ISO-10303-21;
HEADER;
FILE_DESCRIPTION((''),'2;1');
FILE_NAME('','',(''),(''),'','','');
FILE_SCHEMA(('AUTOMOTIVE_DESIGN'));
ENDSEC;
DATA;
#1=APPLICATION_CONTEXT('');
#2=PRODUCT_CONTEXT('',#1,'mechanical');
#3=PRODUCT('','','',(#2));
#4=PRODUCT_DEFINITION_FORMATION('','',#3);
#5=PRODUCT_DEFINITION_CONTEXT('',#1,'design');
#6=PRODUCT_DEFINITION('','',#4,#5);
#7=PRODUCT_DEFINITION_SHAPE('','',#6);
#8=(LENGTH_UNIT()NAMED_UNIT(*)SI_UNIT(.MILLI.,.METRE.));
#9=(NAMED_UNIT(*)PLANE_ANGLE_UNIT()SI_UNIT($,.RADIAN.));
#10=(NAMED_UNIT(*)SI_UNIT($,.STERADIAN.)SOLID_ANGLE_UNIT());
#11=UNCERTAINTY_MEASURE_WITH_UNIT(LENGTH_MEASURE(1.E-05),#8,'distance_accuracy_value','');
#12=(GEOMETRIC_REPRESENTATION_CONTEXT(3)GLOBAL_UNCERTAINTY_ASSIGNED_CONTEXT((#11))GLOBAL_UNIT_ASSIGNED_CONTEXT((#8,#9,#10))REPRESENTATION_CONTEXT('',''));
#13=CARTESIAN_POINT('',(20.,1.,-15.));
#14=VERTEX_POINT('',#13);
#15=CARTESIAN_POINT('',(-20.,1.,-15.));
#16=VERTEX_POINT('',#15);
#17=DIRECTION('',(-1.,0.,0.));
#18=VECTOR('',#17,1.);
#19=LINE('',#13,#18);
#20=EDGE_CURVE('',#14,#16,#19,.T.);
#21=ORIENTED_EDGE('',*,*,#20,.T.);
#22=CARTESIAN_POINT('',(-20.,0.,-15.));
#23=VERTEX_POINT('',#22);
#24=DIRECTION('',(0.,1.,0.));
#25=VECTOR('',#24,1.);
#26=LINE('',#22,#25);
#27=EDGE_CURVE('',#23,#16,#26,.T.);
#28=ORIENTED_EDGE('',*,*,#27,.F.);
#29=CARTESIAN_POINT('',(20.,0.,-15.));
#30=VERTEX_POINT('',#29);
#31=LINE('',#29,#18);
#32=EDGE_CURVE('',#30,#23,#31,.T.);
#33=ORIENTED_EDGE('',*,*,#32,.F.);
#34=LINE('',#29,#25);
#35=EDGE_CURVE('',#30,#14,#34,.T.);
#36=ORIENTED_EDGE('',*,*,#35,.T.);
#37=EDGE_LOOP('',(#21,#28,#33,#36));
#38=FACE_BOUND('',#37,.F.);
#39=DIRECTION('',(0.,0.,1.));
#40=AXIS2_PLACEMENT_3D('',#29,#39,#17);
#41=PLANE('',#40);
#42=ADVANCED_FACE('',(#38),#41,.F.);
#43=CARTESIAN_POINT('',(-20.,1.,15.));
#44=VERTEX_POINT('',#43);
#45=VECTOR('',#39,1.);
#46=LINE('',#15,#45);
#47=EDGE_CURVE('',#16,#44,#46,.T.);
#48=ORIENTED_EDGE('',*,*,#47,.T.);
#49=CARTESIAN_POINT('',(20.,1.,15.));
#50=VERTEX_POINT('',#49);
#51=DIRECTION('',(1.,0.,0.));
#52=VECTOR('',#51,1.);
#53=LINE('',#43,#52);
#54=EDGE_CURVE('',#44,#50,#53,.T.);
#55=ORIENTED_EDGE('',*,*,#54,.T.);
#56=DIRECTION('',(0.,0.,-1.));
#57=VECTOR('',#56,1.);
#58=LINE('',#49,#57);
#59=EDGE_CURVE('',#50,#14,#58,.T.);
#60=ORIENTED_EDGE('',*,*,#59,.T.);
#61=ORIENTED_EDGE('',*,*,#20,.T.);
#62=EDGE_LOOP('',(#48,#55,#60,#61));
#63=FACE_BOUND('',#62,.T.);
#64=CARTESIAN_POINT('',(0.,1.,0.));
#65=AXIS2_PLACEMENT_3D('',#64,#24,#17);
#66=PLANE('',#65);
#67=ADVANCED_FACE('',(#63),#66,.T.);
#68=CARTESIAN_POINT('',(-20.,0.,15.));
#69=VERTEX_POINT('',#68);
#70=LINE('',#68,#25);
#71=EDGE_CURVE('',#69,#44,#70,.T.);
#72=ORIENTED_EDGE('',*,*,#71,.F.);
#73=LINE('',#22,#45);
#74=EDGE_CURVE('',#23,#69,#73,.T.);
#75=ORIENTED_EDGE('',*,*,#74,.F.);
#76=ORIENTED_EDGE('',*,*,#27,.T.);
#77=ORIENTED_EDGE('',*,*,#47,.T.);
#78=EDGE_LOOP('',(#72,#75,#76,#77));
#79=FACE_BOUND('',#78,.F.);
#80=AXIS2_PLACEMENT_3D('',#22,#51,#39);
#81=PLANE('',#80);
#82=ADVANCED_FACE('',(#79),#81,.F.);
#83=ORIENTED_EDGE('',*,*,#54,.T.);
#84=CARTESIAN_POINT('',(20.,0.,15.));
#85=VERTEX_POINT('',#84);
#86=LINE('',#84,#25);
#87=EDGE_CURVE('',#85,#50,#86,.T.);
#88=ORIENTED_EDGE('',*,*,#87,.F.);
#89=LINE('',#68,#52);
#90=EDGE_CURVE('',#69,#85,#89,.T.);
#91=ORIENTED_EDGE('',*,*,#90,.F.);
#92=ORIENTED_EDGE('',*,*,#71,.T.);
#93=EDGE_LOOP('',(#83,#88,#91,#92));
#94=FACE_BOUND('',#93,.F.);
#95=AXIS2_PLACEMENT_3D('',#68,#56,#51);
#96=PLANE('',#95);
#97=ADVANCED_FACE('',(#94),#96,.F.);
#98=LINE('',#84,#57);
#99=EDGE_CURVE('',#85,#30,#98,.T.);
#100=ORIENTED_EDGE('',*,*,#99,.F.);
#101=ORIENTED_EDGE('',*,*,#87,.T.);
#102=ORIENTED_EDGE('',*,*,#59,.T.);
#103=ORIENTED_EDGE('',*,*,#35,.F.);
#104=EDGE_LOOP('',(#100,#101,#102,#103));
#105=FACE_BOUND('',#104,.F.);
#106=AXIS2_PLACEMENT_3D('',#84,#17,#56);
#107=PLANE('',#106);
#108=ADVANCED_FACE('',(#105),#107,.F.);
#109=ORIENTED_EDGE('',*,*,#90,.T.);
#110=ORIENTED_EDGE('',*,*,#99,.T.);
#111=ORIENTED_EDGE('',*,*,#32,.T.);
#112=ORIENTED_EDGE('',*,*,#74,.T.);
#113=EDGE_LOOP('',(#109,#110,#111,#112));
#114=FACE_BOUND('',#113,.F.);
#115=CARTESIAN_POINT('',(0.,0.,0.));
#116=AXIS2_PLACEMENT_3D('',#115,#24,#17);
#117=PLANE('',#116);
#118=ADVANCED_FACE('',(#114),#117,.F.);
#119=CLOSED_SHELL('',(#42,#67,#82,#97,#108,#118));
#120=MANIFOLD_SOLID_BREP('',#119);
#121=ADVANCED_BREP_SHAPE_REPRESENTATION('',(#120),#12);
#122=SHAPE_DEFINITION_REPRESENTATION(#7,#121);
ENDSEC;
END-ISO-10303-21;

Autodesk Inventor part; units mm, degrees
ref_plane "YZ Plane" through (0, 0, 0) normal (1, 0, 0) x (0, 1, 0)
ref_plane "XZ Plane" through (0, 0, 0) normal (0, 1, 0) x (-1, 0, 0)
ref_plane "XY Plane" through (0, 0, 0) normal (0, 0, 1) x (1, 0, 0)
sketch "Skizze1" plane through (0, 0, 0) normal (0, 1, 0) x (-1, 0, 0)
  line L0 (-20, -15) -> (20, -15)
  line L1 (20, -15) -> (20, 15)
  line L2 (20, 15) -> (-20, 15)
  line L3 (-20, 15) -> (-20, -15)
  line L4 (-20, -15) -> (20, 15) construction
  line L5 (20, -15) -> (-20, 15) construction
  point P0 (0, 0)
  dimension "d0" = 40
  dimension "d1" = 30
extrude "Extrusion1" add sketch "Skizze1" along normal blind 1
ref_plane "Arbeitsebene1" through (-20, 0, 0) normal (0, 0, 1) x (1, 0, 0)
ref_plane "Arbeitsebene2" through (0, 0, -15) normal (-1, 0, 0) x (0, 0, 1)
properties part number "00_Astromedia_FronSurfaceMirror_40x30mmx1mm"
